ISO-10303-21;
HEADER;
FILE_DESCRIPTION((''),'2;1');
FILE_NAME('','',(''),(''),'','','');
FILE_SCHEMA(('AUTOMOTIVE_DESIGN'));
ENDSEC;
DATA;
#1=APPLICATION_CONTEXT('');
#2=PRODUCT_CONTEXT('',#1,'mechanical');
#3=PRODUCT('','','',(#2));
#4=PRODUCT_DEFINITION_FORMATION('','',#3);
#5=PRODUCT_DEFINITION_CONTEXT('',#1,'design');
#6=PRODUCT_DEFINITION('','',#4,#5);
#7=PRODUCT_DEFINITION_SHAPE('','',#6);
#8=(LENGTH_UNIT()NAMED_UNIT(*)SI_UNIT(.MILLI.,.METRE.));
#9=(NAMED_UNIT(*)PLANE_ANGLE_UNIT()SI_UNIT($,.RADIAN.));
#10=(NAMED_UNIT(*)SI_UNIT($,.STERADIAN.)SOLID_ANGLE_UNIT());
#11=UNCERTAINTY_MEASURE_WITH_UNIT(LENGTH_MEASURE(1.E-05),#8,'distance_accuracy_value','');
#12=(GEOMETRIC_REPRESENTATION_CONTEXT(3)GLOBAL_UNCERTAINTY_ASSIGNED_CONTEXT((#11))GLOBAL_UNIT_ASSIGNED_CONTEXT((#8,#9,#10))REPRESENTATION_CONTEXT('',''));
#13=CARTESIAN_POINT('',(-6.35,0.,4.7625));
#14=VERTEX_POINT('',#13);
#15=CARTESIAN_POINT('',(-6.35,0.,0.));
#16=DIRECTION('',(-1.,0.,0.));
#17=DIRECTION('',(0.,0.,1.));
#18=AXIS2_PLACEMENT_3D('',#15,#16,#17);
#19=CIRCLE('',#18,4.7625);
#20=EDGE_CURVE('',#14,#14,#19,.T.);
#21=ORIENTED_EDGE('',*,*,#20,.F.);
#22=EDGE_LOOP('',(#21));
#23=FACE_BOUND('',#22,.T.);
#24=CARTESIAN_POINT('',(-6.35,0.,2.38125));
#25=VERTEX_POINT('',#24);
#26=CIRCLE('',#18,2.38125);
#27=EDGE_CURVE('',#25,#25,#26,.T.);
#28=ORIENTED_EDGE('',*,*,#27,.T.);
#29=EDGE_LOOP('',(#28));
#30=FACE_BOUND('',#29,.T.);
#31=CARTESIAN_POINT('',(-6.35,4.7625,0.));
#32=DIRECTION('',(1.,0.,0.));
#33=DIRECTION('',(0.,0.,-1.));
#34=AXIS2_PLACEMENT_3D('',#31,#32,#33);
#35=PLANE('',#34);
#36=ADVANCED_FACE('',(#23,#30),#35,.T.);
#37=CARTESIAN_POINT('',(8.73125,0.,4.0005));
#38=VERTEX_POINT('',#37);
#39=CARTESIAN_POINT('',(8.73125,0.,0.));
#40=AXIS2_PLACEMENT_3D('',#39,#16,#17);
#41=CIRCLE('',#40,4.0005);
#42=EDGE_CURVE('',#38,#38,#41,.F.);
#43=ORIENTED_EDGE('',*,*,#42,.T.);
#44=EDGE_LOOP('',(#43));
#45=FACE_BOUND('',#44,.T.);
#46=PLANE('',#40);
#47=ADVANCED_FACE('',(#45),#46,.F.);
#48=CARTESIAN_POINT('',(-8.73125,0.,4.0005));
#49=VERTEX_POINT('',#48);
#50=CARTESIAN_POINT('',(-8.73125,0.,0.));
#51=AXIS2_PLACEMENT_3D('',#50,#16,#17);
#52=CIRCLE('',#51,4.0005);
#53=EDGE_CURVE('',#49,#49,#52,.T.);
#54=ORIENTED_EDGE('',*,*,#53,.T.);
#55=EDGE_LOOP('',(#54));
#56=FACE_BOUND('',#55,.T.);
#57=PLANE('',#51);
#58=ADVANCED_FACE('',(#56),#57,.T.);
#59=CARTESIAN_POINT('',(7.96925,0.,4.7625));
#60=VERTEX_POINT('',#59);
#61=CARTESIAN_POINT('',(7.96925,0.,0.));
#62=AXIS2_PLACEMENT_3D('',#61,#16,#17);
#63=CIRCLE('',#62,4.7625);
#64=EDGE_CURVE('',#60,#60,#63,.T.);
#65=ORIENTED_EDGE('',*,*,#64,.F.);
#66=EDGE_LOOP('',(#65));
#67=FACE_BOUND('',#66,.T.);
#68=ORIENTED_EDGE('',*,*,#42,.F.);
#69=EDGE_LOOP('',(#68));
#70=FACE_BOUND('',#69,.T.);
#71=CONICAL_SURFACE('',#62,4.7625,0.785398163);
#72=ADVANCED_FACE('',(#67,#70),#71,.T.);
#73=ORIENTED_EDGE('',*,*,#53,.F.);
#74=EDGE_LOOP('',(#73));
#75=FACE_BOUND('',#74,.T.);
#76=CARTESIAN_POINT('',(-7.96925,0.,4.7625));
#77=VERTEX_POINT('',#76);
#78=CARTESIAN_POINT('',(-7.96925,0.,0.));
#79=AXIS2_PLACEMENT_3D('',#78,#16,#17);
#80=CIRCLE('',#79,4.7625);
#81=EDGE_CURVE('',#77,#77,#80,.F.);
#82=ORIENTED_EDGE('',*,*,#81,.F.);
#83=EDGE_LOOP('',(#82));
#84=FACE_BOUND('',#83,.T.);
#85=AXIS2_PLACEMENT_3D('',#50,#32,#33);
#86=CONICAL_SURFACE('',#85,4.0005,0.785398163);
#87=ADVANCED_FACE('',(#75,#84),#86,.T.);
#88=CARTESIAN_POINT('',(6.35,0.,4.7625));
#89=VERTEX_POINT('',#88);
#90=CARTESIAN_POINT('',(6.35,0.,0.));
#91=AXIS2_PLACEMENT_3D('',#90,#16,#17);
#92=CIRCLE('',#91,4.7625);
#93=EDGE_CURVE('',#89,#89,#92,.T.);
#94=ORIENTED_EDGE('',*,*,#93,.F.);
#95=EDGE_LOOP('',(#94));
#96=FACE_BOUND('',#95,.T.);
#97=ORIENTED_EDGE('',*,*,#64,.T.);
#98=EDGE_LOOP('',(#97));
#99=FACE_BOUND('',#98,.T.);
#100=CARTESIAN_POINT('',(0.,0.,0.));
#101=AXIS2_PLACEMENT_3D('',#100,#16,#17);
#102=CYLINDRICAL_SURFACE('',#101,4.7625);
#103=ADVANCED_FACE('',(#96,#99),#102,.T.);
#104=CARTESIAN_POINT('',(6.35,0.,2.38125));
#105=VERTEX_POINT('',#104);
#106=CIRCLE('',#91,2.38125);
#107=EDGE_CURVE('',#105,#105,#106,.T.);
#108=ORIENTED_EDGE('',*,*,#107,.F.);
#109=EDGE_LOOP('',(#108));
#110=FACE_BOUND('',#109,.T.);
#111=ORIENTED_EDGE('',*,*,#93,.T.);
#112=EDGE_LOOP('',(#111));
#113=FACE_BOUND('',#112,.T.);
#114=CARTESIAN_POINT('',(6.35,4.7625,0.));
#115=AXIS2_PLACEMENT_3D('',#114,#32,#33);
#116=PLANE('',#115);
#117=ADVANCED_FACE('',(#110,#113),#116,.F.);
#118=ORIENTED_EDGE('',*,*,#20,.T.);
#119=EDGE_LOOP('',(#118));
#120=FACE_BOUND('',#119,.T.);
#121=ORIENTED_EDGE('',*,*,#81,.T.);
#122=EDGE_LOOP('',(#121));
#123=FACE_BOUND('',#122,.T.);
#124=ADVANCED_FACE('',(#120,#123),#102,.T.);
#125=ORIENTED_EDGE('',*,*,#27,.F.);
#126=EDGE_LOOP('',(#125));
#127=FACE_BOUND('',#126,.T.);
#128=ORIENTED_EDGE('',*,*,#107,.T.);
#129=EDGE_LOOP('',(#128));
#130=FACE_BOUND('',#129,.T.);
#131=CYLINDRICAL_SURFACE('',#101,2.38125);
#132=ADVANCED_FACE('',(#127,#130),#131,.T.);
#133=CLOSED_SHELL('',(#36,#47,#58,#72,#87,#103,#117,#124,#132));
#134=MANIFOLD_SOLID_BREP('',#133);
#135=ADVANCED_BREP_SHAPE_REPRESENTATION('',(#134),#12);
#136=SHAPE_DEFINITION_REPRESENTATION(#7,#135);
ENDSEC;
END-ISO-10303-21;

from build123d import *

# Parameters (mm, degrees)
CHAMFER1_SIZE = 0.762


with BuildPart() as part:
    # Sketch1 → Base-Revolve (revolve)
    with BuildSketch(Plane.XY):
        Polygon((8.73125, 0), (8.73125, 4.7625), (6.35, 4.7625), (6.35, 2.38125), (-6.35, 2.38125), (-6.35, 4.7625), (-8.73125, 4.7625), (-8.73125, 0), align=None)
    revolve(axis=Axis((0, 0, 0), (1, 0, 0)))

    # Chamfer1
    chamfer1_edges = [part.edges().sort_by_distance(p)[0] for p in [
        (8.73125, -4.7625, 0),
        (-8.73125, -4.7625, 0),
    ]]
    chamfer(chamfer1_edges, length=CHAMFER1_SIZE)


solid = part.part
